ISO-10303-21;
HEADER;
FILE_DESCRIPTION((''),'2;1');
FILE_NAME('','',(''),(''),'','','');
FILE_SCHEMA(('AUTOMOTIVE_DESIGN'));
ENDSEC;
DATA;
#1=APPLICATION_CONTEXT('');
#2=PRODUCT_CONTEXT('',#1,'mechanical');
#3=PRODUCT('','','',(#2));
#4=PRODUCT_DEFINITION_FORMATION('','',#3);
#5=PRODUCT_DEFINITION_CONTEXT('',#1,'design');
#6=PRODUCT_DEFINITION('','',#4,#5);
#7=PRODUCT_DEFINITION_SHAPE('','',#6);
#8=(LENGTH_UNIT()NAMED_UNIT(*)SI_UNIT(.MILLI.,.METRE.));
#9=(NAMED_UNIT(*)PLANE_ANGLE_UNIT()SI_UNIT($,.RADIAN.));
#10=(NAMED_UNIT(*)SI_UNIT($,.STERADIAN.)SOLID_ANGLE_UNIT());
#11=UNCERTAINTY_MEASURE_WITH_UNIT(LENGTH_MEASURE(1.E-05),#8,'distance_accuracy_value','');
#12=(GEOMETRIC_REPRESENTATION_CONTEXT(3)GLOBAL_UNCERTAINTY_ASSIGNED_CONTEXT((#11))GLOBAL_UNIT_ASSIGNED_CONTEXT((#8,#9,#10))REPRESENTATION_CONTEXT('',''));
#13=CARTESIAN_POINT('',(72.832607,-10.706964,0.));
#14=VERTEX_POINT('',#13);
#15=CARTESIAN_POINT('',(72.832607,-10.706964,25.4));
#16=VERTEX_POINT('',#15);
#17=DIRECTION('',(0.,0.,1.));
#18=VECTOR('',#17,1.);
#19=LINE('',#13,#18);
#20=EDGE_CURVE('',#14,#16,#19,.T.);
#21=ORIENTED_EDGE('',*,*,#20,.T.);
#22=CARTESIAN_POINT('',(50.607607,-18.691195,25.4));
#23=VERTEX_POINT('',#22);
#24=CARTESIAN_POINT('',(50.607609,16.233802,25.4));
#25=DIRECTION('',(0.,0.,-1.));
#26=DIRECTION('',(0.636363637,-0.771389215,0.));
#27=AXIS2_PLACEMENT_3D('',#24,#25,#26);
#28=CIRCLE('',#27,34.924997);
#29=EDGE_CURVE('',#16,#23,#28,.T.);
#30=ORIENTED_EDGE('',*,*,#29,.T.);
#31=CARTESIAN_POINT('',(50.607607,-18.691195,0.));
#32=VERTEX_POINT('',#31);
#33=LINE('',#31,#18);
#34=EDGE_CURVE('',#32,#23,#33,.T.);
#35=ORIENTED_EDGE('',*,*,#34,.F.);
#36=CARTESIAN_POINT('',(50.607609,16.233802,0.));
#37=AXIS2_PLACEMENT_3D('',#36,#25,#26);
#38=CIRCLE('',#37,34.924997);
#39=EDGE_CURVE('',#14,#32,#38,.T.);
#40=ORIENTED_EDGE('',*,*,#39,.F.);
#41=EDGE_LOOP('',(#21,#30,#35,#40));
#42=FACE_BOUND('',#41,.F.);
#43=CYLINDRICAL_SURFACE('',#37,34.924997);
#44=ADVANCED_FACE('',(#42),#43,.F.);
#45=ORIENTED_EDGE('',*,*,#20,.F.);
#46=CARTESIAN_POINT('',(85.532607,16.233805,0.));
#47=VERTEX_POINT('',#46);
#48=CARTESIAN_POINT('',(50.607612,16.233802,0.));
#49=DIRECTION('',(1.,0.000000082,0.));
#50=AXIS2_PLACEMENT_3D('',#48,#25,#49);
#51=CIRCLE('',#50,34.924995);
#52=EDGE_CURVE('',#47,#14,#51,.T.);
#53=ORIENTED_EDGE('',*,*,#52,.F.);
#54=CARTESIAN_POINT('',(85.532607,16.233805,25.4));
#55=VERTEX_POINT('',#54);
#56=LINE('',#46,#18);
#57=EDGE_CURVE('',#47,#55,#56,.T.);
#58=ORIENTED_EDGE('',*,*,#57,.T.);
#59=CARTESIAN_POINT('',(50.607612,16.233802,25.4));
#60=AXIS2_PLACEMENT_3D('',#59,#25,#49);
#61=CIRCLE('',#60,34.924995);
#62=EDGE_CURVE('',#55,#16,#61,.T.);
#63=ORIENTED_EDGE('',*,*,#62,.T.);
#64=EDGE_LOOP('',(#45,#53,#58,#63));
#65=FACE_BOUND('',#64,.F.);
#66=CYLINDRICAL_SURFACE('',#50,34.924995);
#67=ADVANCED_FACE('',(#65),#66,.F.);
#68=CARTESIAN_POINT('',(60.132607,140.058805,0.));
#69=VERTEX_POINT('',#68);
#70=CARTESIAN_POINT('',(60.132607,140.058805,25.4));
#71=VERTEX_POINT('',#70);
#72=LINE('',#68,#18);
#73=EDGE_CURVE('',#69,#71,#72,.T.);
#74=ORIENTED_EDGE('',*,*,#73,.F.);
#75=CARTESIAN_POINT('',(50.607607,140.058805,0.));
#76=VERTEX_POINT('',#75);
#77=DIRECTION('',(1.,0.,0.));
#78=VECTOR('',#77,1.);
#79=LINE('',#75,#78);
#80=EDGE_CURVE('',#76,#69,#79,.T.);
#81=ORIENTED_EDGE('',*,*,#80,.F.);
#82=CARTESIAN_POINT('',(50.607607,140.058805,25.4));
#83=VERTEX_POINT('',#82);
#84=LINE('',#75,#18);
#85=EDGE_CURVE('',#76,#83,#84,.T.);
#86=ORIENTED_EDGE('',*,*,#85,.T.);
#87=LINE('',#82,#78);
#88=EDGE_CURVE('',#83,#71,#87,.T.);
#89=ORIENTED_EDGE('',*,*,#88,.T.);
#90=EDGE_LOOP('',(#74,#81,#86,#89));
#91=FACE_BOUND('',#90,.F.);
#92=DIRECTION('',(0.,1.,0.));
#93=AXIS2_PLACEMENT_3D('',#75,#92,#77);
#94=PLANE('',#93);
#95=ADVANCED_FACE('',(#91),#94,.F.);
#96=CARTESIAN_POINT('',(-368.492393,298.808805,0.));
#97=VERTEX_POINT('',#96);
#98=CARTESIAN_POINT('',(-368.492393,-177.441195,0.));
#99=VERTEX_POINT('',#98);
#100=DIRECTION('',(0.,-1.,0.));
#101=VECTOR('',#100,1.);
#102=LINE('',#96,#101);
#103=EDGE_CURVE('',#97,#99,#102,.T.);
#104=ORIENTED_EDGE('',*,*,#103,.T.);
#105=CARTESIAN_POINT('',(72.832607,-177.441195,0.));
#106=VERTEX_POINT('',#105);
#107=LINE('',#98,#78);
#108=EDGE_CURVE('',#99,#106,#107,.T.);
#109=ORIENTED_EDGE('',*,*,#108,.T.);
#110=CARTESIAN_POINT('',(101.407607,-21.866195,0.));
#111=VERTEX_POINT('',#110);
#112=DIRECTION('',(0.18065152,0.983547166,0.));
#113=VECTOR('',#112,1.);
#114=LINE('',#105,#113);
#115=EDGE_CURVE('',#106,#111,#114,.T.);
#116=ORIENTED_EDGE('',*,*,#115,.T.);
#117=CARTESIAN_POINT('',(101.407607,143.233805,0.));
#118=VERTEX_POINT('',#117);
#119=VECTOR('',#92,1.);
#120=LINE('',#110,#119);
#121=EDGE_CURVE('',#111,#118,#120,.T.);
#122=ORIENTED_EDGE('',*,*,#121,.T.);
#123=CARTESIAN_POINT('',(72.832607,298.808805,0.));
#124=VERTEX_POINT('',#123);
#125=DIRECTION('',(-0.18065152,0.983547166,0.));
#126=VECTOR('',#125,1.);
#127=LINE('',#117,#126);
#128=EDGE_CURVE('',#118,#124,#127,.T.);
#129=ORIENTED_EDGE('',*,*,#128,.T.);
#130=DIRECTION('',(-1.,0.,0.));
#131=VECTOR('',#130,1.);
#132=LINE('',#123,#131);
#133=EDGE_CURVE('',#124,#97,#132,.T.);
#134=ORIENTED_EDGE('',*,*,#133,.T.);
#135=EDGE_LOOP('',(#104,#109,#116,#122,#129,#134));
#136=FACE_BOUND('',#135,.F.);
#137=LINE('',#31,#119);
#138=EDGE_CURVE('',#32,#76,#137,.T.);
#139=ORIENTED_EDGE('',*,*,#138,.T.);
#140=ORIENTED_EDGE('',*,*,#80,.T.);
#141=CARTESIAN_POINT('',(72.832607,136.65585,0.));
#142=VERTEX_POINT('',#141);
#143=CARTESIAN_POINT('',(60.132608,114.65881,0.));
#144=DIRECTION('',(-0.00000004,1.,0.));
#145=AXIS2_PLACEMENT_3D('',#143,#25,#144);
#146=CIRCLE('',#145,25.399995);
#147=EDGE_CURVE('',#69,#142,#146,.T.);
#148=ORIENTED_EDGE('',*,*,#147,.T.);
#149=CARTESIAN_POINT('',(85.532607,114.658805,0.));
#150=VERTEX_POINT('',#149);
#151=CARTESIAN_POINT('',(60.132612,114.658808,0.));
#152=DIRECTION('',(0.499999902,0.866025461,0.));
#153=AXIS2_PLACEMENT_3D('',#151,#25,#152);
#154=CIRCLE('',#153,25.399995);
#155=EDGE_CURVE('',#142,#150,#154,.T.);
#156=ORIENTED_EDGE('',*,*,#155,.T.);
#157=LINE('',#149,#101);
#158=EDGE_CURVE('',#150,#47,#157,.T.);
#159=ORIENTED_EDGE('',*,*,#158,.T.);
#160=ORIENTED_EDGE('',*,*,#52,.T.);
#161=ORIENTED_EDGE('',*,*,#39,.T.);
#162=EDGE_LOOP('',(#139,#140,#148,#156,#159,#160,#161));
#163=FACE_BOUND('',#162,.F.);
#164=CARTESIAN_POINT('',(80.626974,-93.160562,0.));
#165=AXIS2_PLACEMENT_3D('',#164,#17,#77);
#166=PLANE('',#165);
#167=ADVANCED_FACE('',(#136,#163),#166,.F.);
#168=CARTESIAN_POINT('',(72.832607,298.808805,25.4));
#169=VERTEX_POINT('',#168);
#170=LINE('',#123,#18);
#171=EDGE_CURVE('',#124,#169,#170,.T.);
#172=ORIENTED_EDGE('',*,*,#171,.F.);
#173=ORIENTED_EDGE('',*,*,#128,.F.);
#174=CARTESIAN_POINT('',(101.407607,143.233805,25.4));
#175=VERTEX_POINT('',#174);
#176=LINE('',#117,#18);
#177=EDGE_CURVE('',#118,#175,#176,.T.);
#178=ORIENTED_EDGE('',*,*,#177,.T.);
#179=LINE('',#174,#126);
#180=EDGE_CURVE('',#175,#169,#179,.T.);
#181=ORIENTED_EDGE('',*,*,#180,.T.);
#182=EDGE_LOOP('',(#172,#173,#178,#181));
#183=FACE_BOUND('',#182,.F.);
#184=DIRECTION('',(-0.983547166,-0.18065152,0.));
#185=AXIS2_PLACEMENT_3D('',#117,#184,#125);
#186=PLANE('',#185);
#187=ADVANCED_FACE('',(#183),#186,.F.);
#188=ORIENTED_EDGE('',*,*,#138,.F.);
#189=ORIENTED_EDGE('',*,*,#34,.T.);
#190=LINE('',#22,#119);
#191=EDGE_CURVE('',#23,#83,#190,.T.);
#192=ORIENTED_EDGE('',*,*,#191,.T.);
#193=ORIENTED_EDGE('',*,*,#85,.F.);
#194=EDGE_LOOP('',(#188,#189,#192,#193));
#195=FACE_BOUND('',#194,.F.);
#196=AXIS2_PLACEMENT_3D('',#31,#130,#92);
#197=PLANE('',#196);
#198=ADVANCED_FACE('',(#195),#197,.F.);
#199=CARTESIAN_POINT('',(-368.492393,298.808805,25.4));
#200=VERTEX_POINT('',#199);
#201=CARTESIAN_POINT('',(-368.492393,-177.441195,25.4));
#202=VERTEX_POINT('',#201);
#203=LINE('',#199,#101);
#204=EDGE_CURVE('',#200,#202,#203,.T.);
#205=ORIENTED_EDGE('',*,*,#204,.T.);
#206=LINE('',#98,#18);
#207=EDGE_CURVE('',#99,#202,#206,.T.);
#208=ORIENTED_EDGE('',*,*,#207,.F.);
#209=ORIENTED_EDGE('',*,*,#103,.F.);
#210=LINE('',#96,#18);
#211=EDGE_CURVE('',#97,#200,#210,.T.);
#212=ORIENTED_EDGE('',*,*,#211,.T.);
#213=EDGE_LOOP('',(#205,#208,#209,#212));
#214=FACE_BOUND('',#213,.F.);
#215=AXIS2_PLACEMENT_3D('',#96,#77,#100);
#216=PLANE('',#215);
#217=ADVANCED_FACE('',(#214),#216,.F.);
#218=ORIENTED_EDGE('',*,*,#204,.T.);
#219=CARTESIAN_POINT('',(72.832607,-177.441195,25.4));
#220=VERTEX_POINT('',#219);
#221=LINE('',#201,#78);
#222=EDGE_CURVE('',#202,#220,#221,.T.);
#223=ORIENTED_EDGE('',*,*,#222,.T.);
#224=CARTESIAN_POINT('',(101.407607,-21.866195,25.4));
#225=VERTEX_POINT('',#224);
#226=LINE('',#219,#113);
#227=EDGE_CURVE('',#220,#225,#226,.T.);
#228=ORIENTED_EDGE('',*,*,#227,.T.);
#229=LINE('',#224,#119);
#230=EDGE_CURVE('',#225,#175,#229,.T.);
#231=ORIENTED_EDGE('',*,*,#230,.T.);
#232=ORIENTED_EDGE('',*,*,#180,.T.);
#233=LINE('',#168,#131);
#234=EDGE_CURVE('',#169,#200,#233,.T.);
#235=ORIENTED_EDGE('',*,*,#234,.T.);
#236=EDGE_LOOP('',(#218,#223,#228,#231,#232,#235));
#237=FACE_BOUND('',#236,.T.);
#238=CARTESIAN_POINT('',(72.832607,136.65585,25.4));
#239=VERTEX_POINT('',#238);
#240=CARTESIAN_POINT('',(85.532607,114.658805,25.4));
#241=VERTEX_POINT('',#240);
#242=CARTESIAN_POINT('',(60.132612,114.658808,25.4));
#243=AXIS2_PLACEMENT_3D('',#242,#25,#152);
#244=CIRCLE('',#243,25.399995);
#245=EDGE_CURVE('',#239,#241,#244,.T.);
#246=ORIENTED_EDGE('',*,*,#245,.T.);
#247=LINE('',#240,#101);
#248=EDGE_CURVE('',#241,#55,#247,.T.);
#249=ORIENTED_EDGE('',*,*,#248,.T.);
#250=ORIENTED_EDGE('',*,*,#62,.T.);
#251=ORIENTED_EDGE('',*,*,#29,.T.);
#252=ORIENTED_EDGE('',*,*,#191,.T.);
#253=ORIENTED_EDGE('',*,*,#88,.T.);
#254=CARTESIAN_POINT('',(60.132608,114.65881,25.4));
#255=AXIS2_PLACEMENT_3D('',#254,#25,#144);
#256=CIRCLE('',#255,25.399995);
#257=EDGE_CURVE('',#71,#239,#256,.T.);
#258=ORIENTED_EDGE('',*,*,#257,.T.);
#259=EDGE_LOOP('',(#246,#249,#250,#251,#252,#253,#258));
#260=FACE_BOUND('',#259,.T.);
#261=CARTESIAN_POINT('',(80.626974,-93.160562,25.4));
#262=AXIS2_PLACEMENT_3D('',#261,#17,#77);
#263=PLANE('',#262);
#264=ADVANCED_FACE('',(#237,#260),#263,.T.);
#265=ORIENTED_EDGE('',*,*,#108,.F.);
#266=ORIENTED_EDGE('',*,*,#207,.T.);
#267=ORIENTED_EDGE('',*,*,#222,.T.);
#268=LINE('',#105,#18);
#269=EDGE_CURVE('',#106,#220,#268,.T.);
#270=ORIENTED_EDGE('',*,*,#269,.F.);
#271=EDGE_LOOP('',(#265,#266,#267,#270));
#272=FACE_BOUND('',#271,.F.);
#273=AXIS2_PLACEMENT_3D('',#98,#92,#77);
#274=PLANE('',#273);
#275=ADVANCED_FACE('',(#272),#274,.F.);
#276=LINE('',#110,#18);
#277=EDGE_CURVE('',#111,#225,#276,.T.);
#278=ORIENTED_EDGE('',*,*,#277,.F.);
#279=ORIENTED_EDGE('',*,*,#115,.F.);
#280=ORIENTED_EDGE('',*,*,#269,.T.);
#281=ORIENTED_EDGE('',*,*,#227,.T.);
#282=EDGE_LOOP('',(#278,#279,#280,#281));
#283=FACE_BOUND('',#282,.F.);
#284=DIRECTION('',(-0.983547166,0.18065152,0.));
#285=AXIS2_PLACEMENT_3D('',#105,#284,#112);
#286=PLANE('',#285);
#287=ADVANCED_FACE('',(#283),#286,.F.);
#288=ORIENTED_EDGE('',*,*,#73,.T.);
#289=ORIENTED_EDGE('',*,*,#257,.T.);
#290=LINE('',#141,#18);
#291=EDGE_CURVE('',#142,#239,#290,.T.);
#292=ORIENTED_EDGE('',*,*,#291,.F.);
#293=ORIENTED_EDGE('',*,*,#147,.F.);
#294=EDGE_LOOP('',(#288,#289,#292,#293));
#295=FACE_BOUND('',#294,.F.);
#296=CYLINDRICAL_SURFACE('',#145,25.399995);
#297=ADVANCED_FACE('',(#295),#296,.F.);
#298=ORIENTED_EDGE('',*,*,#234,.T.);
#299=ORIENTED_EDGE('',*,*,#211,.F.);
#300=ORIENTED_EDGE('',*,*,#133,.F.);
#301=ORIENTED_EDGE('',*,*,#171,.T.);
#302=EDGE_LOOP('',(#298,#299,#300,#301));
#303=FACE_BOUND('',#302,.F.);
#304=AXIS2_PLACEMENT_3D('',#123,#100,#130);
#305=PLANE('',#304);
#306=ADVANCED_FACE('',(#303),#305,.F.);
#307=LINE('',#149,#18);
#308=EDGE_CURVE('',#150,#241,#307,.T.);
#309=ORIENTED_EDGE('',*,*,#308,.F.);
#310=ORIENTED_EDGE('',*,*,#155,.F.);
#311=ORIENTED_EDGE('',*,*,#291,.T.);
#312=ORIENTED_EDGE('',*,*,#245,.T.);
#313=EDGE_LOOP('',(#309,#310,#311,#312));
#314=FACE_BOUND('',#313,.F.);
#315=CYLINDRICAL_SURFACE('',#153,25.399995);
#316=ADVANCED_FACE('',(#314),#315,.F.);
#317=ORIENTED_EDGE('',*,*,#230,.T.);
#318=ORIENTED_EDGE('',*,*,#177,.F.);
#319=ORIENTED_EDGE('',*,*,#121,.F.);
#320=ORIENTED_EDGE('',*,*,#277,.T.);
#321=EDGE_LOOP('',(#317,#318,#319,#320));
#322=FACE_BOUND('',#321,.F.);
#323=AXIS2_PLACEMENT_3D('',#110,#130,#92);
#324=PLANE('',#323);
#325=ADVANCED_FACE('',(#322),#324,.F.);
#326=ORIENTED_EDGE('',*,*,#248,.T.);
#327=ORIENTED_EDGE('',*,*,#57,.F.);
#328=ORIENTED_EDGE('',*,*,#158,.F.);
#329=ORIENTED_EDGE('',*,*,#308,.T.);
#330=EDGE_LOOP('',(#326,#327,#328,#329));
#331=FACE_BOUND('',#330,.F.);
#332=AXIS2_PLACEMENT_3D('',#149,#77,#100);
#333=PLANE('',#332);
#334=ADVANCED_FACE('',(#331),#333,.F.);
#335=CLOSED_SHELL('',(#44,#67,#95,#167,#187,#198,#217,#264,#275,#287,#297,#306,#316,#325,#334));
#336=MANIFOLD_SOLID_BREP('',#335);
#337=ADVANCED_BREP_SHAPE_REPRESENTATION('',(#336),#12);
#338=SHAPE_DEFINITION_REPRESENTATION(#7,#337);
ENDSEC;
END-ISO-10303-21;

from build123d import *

# Parameters (mm, degrees)
F1_DEPTH = 25.4


with BuildPart() as f1:
    # F0 (on Top) → F1 (new body)
    with BuildSketch(Plane.XY):
        Polygon((72.832607, -21.866195), (72.832607, -177.441195), (101.407607, -21.866195), align=None)
        Polygon((72.832607, 143.233805), (101.407607, 143.233805), (72.832607, 298.808805), align=None)
        with BuildLine():
            Line((-368.492393, -177.441195), (72.832607, -177.441195))
            Line((72.832607, -177.441195), (72.832607, -21.866195))
            Line((72.832607, -21.866195), (72.832607, -10.706964))
            ThreePointArc((72.832607, -10.706964), (62.415429, -16.634584), (50.607607, -18.691195))
            Line((50.607607, -18.691195), (50.607607, 140.058805))
            Line((50.607607, 140.058805), (60.132607, 140.058805))
            ThreePointArc((60.132607, 140.058805), (66.706611, 139.193321), (72.832607, 136.65585))
            Line((72.832607, 136.65585), (72.832607, 143.233805))
            Line((72.832607, 143.233805), (72.832607, 298.808805))
            Line((72.832607, 298.808805), (-368.492393, 298.808805))
            Line((-368.492393, 298.808805), (-368.492393, -177.441195))
        make_face()
        with BuildLine():
            Line((72.832607, -10.706964), (72.832607, -21.866195))
            Line((72.832607, -21.866195), (101.407607, -21.866195))
            Line((101.407607, -21.866195), (101.407607, 143.233805))
            Line((101.407607, 143.233805), (72.832607, 143.233805))
            Line((72.832607, 143.233805), (72.832607, 136.65585))
            ThreePointArc((72.832607, 136.65585), (82.129653, 127.358805), (85.532607, 114.658805))
            Line((85.532607, 114.658805), (85.532607, 16.233805))
            ThreePointArc((85.532607, 16.233805), (82.198459, 1.341735), (72.832607, -10.706964))
        make_face()
    extrude(amount=F1_DEPTH)


solid = f1.part
